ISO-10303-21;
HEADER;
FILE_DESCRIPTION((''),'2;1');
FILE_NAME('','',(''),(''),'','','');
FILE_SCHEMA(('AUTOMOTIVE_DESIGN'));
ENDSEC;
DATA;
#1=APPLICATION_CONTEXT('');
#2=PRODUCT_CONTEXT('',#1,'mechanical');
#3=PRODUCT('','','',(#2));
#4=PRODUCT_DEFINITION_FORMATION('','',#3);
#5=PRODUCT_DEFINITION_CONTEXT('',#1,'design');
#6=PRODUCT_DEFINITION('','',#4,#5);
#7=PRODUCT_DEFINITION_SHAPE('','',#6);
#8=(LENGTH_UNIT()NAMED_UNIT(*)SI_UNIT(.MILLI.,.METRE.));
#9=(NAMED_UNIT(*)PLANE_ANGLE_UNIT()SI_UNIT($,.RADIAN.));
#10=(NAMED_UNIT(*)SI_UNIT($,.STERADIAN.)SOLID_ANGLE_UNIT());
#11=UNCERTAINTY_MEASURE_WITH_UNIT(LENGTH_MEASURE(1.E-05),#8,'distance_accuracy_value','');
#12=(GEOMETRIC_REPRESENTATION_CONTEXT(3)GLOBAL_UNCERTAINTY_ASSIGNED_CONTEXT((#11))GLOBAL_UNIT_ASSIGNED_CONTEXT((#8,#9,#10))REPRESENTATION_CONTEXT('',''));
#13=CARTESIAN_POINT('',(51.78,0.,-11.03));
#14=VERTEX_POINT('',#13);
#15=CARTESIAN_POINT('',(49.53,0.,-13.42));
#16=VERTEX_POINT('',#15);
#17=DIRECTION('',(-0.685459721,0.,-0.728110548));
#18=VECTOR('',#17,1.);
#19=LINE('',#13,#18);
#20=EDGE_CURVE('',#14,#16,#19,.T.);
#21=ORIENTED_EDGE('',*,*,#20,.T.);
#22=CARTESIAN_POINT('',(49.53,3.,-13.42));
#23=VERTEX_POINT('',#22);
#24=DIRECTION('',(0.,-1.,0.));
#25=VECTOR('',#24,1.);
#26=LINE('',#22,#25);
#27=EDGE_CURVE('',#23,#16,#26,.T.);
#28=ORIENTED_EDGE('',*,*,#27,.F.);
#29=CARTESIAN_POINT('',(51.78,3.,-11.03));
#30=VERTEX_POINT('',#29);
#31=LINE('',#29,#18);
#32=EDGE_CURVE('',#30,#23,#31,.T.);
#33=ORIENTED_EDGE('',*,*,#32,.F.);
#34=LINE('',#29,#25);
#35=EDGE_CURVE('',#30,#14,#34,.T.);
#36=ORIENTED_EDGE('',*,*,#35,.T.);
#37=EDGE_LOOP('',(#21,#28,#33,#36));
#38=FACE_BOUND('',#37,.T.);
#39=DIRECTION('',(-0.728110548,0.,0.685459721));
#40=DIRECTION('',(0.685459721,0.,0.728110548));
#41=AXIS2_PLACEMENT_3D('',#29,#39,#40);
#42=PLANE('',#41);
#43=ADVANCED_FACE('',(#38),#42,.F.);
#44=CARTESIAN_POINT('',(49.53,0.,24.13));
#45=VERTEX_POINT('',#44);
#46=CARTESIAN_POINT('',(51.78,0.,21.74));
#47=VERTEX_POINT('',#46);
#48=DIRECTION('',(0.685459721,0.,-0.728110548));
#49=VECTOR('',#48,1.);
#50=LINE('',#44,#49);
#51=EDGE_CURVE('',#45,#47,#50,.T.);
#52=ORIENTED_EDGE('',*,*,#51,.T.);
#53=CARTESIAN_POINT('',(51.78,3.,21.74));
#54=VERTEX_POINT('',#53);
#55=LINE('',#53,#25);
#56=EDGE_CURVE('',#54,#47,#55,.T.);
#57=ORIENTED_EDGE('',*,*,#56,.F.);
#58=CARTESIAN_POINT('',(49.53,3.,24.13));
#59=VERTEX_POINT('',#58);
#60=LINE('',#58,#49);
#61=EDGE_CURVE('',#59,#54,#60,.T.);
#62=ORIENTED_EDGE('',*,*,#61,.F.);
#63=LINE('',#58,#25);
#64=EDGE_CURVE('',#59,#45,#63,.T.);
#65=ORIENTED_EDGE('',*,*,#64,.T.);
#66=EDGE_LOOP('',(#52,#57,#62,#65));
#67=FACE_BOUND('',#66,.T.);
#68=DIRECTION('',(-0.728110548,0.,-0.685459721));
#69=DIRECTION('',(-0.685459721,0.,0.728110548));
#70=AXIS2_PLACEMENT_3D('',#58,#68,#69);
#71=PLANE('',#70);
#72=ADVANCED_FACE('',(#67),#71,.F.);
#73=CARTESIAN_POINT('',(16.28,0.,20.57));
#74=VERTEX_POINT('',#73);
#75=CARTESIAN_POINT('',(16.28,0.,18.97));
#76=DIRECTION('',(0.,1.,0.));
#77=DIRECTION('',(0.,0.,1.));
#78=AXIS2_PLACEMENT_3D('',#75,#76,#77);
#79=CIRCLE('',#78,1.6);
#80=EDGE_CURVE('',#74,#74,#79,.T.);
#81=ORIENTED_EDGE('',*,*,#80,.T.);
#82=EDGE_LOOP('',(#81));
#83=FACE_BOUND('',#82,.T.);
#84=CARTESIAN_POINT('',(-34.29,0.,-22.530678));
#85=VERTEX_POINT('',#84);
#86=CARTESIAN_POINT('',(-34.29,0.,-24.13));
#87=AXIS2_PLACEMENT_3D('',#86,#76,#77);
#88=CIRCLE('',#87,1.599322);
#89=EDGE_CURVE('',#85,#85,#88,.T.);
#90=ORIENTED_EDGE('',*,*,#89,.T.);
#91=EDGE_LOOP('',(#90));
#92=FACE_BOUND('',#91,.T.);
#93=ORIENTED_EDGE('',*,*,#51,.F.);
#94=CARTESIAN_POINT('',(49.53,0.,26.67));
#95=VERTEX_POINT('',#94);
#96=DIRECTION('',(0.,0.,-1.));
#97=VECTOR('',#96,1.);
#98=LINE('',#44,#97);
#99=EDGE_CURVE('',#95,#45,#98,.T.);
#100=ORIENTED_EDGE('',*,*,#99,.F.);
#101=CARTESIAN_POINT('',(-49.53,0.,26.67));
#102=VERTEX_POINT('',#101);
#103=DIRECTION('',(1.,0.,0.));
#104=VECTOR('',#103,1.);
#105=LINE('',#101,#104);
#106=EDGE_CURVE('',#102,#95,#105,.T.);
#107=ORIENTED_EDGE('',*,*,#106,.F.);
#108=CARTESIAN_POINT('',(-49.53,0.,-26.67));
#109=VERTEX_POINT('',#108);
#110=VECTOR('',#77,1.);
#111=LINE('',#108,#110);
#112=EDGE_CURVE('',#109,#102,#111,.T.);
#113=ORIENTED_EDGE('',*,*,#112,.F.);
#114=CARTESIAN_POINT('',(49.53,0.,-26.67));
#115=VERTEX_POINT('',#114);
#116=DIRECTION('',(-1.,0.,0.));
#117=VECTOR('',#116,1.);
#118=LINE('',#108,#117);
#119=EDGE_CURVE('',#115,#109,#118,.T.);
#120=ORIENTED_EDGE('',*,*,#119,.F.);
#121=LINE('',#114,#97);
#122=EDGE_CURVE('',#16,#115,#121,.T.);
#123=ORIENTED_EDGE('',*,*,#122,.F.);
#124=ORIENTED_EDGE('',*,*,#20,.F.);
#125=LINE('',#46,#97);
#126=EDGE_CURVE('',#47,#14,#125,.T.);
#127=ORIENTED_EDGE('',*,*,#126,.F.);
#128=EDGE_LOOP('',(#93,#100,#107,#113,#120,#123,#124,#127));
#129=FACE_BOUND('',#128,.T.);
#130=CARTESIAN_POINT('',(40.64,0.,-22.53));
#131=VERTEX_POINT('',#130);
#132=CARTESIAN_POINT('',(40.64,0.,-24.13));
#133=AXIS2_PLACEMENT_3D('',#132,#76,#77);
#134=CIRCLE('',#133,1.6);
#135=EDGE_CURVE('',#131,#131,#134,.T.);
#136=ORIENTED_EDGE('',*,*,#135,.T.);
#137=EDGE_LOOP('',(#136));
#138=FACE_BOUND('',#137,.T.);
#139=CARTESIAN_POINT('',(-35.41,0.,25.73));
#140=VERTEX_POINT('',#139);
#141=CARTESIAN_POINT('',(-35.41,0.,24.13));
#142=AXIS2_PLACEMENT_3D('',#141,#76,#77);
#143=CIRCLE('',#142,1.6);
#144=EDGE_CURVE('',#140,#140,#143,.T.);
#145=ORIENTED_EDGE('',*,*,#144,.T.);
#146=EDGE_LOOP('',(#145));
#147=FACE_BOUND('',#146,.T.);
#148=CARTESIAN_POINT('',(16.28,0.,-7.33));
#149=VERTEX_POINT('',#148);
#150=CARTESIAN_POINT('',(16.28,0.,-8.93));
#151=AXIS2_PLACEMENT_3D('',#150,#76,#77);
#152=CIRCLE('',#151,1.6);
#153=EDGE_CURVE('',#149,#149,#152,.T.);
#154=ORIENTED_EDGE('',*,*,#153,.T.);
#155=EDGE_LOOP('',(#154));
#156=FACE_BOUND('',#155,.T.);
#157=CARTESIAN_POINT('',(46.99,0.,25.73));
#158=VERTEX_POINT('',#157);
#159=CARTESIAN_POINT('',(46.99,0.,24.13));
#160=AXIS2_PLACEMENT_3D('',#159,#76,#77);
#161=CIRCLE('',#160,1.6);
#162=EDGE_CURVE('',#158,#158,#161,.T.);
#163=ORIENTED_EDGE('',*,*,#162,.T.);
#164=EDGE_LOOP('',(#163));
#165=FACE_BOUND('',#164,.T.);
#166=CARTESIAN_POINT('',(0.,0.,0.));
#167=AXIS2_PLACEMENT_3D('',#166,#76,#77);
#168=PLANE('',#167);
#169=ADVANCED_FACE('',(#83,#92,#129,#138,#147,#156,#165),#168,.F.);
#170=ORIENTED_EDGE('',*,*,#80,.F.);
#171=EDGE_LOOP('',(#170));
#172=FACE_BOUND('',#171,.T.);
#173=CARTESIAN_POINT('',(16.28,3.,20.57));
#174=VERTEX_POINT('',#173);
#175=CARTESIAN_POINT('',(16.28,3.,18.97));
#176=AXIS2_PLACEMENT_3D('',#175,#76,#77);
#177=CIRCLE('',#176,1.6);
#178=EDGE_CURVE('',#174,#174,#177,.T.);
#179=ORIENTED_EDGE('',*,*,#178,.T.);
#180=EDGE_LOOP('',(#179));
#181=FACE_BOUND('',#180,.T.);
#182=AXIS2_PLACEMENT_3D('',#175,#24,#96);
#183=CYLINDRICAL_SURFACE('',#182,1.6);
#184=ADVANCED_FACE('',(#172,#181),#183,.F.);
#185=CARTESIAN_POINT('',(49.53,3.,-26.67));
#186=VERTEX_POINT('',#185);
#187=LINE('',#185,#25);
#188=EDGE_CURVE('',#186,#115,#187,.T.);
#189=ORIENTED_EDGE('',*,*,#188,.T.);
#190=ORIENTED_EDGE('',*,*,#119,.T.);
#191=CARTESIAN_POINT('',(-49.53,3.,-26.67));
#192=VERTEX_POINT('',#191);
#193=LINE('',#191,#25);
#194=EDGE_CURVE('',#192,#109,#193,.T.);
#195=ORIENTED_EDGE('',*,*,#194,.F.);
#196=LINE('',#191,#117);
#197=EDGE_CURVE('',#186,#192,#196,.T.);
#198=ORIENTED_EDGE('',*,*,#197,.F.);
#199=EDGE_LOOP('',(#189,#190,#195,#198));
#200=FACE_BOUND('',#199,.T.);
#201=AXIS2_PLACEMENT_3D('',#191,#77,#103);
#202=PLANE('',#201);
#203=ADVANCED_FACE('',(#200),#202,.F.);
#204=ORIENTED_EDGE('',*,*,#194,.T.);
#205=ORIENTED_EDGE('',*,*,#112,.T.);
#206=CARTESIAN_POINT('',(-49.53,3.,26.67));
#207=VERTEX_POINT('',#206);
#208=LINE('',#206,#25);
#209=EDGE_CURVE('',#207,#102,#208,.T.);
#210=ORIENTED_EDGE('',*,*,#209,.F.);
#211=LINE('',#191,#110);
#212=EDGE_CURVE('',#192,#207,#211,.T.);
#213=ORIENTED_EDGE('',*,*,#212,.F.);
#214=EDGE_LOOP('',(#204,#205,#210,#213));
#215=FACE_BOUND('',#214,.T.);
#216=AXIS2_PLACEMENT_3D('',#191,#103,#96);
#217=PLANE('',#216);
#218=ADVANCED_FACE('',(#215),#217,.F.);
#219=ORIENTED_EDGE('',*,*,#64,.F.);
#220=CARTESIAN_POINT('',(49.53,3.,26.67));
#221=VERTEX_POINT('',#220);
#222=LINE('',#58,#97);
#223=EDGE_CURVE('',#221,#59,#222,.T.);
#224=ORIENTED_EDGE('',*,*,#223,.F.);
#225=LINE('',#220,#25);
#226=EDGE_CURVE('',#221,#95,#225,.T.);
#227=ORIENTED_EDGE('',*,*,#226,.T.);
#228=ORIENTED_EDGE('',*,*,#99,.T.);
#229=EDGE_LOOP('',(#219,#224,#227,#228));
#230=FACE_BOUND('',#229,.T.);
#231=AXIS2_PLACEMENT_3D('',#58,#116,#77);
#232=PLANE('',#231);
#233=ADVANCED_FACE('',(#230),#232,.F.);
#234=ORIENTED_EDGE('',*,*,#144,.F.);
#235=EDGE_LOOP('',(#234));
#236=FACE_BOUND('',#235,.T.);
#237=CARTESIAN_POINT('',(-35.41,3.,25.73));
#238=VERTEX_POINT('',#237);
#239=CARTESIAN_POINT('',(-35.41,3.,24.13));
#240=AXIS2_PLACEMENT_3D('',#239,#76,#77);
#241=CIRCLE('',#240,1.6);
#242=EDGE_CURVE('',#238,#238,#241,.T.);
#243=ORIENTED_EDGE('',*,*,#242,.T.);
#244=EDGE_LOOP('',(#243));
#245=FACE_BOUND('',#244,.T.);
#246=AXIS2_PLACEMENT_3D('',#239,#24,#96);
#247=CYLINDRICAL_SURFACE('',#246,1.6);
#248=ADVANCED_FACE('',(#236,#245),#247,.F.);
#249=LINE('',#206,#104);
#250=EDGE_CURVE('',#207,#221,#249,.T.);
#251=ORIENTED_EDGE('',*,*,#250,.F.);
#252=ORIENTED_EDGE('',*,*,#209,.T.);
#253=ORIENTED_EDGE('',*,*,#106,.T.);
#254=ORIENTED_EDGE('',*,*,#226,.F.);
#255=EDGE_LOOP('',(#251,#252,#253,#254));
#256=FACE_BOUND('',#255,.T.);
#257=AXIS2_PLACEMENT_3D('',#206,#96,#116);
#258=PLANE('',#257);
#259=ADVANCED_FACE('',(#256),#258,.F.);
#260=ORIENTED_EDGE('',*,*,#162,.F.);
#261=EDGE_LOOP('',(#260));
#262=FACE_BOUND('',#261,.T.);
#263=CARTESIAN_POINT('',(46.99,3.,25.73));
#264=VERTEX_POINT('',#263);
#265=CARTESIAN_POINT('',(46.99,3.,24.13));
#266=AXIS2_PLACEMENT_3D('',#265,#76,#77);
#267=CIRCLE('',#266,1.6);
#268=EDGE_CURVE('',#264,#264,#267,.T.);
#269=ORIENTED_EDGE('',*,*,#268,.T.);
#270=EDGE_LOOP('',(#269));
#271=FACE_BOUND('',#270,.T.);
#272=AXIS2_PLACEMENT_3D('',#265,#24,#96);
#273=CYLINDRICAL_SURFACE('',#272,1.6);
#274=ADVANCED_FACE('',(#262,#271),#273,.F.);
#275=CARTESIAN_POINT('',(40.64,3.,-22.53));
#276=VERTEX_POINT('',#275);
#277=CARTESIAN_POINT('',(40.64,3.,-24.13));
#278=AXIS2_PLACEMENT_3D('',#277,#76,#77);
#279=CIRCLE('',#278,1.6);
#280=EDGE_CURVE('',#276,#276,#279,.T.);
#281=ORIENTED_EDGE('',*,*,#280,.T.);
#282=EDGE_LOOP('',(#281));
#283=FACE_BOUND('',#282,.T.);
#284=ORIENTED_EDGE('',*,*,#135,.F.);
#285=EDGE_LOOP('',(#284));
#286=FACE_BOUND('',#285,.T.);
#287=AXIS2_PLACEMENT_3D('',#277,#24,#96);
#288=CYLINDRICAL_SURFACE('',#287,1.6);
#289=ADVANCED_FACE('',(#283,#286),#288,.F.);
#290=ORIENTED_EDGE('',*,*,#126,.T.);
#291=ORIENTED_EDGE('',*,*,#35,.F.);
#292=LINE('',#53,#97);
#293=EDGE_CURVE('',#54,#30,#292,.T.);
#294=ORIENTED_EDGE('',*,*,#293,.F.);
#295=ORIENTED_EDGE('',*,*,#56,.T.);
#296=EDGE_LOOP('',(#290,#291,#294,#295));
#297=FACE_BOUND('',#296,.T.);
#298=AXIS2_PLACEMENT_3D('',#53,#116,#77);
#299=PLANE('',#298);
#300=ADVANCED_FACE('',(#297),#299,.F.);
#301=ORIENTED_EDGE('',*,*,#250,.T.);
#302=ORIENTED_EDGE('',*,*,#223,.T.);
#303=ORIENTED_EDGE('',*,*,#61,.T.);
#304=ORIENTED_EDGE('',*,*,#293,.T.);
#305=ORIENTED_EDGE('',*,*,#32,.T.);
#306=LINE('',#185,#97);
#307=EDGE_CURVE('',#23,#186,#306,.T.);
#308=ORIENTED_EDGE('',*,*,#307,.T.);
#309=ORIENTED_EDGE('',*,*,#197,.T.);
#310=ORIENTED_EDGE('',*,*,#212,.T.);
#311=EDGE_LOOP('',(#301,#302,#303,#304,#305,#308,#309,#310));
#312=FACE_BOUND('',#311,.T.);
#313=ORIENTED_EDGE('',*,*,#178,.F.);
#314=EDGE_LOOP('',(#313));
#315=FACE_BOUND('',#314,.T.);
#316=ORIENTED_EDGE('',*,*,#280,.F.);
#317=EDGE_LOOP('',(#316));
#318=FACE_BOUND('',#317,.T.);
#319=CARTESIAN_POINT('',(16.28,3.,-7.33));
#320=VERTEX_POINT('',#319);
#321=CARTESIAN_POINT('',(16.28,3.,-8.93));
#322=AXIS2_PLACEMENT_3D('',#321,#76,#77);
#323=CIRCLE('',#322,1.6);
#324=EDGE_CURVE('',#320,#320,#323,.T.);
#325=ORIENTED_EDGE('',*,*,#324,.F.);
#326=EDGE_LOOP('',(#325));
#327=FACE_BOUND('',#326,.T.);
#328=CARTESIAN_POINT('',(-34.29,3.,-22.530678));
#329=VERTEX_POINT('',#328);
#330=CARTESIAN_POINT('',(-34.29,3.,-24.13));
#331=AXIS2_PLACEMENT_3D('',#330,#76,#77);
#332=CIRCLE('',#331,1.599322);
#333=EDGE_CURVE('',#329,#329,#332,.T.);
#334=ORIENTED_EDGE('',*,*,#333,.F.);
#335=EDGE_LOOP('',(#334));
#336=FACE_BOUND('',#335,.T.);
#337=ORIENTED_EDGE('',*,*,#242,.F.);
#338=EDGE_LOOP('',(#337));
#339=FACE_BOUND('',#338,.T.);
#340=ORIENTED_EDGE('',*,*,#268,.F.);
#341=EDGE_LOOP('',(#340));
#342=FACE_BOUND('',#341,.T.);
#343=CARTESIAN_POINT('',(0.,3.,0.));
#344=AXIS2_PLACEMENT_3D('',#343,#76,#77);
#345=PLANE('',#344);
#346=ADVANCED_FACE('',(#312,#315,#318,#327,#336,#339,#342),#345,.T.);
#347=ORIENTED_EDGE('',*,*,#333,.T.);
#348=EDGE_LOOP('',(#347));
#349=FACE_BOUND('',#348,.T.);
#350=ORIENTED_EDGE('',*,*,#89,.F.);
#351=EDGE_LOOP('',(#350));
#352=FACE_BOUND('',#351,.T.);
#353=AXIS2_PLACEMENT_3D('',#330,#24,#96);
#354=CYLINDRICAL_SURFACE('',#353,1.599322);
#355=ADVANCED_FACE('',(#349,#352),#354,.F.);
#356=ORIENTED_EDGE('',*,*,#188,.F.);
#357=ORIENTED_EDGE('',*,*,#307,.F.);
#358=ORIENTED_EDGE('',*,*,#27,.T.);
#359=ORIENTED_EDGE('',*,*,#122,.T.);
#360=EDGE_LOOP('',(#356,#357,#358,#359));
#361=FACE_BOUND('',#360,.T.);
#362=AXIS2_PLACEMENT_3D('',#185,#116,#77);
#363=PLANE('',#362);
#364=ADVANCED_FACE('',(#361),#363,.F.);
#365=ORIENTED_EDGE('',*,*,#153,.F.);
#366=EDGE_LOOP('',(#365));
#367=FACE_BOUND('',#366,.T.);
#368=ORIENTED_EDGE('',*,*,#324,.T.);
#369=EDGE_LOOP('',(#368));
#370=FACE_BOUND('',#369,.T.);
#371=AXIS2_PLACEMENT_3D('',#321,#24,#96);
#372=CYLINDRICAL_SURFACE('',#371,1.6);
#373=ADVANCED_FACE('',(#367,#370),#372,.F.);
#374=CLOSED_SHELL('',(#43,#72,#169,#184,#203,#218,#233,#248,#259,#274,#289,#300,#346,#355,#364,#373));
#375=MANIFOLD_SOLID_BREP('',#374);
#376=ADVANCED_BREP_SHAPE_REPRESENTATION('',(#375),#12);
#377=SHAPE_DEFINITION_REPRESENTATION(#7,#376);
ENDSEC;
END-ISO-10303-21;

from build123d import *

# Parameters (mm, degrees)
SKETCH1_R           = 1.599321613
SKETCH1_R_2         = 1.6
BOSS_EXTRUDE1_DEPTH = 3


with BuildPart() as part:
    # Sketch1 → Boss-Extrude1 (new body)
    with BuildSketch(Plane(origin=(0, 0, 0), x_dir=(1, 0, 0), z_dir=(0, 1, 0))):
        Polygon((49.53, -24.13), (51.78, -21.74), (51.78, 11.03), (49.53, 13.42), (49.53, 26.67), (-49.53, 26.67), (-49.53, -26.67), (49.53, -26.67), align=None)
        with Locations(Location((-34.29, 24.13, 0), (0, 0, 270))):
            Circle(SKETCH1_R, mode=Mode.SUBTRACT)
        with Locations(Location((40.64, 24.13, 0), (0, 0, 270))):
            Circle(SKETCH1_R_2, mode=Mode.SUBTRACT)
        with Locations(Location((46.99, -24.13, 0), (0, 0, 270))):
            Circle(SKETCH1_R_2, mode=Mode.SUBTRACT)
        with Locations(Location((-35.41, -24.13, 0), (0, 0, 270))):
            Circle(SKETCH1_R_2, mode=Mode.SUBTRACT)
        with Locations(Location((16.28, 8.93, 0), (0, 0, 270))):
            Circle(SKETCH1_R_2, mode=Mode.SUBTRACT)
        with Locations(Location((16.28, -18.97, 0), (0, 0, 270))):
            Circle(SKETCH1_R_2, mode=Mode.SUBTRACT)
    extrude(amount=BOSS_EXTRUDE1_DEPTH)


solid = part.part
